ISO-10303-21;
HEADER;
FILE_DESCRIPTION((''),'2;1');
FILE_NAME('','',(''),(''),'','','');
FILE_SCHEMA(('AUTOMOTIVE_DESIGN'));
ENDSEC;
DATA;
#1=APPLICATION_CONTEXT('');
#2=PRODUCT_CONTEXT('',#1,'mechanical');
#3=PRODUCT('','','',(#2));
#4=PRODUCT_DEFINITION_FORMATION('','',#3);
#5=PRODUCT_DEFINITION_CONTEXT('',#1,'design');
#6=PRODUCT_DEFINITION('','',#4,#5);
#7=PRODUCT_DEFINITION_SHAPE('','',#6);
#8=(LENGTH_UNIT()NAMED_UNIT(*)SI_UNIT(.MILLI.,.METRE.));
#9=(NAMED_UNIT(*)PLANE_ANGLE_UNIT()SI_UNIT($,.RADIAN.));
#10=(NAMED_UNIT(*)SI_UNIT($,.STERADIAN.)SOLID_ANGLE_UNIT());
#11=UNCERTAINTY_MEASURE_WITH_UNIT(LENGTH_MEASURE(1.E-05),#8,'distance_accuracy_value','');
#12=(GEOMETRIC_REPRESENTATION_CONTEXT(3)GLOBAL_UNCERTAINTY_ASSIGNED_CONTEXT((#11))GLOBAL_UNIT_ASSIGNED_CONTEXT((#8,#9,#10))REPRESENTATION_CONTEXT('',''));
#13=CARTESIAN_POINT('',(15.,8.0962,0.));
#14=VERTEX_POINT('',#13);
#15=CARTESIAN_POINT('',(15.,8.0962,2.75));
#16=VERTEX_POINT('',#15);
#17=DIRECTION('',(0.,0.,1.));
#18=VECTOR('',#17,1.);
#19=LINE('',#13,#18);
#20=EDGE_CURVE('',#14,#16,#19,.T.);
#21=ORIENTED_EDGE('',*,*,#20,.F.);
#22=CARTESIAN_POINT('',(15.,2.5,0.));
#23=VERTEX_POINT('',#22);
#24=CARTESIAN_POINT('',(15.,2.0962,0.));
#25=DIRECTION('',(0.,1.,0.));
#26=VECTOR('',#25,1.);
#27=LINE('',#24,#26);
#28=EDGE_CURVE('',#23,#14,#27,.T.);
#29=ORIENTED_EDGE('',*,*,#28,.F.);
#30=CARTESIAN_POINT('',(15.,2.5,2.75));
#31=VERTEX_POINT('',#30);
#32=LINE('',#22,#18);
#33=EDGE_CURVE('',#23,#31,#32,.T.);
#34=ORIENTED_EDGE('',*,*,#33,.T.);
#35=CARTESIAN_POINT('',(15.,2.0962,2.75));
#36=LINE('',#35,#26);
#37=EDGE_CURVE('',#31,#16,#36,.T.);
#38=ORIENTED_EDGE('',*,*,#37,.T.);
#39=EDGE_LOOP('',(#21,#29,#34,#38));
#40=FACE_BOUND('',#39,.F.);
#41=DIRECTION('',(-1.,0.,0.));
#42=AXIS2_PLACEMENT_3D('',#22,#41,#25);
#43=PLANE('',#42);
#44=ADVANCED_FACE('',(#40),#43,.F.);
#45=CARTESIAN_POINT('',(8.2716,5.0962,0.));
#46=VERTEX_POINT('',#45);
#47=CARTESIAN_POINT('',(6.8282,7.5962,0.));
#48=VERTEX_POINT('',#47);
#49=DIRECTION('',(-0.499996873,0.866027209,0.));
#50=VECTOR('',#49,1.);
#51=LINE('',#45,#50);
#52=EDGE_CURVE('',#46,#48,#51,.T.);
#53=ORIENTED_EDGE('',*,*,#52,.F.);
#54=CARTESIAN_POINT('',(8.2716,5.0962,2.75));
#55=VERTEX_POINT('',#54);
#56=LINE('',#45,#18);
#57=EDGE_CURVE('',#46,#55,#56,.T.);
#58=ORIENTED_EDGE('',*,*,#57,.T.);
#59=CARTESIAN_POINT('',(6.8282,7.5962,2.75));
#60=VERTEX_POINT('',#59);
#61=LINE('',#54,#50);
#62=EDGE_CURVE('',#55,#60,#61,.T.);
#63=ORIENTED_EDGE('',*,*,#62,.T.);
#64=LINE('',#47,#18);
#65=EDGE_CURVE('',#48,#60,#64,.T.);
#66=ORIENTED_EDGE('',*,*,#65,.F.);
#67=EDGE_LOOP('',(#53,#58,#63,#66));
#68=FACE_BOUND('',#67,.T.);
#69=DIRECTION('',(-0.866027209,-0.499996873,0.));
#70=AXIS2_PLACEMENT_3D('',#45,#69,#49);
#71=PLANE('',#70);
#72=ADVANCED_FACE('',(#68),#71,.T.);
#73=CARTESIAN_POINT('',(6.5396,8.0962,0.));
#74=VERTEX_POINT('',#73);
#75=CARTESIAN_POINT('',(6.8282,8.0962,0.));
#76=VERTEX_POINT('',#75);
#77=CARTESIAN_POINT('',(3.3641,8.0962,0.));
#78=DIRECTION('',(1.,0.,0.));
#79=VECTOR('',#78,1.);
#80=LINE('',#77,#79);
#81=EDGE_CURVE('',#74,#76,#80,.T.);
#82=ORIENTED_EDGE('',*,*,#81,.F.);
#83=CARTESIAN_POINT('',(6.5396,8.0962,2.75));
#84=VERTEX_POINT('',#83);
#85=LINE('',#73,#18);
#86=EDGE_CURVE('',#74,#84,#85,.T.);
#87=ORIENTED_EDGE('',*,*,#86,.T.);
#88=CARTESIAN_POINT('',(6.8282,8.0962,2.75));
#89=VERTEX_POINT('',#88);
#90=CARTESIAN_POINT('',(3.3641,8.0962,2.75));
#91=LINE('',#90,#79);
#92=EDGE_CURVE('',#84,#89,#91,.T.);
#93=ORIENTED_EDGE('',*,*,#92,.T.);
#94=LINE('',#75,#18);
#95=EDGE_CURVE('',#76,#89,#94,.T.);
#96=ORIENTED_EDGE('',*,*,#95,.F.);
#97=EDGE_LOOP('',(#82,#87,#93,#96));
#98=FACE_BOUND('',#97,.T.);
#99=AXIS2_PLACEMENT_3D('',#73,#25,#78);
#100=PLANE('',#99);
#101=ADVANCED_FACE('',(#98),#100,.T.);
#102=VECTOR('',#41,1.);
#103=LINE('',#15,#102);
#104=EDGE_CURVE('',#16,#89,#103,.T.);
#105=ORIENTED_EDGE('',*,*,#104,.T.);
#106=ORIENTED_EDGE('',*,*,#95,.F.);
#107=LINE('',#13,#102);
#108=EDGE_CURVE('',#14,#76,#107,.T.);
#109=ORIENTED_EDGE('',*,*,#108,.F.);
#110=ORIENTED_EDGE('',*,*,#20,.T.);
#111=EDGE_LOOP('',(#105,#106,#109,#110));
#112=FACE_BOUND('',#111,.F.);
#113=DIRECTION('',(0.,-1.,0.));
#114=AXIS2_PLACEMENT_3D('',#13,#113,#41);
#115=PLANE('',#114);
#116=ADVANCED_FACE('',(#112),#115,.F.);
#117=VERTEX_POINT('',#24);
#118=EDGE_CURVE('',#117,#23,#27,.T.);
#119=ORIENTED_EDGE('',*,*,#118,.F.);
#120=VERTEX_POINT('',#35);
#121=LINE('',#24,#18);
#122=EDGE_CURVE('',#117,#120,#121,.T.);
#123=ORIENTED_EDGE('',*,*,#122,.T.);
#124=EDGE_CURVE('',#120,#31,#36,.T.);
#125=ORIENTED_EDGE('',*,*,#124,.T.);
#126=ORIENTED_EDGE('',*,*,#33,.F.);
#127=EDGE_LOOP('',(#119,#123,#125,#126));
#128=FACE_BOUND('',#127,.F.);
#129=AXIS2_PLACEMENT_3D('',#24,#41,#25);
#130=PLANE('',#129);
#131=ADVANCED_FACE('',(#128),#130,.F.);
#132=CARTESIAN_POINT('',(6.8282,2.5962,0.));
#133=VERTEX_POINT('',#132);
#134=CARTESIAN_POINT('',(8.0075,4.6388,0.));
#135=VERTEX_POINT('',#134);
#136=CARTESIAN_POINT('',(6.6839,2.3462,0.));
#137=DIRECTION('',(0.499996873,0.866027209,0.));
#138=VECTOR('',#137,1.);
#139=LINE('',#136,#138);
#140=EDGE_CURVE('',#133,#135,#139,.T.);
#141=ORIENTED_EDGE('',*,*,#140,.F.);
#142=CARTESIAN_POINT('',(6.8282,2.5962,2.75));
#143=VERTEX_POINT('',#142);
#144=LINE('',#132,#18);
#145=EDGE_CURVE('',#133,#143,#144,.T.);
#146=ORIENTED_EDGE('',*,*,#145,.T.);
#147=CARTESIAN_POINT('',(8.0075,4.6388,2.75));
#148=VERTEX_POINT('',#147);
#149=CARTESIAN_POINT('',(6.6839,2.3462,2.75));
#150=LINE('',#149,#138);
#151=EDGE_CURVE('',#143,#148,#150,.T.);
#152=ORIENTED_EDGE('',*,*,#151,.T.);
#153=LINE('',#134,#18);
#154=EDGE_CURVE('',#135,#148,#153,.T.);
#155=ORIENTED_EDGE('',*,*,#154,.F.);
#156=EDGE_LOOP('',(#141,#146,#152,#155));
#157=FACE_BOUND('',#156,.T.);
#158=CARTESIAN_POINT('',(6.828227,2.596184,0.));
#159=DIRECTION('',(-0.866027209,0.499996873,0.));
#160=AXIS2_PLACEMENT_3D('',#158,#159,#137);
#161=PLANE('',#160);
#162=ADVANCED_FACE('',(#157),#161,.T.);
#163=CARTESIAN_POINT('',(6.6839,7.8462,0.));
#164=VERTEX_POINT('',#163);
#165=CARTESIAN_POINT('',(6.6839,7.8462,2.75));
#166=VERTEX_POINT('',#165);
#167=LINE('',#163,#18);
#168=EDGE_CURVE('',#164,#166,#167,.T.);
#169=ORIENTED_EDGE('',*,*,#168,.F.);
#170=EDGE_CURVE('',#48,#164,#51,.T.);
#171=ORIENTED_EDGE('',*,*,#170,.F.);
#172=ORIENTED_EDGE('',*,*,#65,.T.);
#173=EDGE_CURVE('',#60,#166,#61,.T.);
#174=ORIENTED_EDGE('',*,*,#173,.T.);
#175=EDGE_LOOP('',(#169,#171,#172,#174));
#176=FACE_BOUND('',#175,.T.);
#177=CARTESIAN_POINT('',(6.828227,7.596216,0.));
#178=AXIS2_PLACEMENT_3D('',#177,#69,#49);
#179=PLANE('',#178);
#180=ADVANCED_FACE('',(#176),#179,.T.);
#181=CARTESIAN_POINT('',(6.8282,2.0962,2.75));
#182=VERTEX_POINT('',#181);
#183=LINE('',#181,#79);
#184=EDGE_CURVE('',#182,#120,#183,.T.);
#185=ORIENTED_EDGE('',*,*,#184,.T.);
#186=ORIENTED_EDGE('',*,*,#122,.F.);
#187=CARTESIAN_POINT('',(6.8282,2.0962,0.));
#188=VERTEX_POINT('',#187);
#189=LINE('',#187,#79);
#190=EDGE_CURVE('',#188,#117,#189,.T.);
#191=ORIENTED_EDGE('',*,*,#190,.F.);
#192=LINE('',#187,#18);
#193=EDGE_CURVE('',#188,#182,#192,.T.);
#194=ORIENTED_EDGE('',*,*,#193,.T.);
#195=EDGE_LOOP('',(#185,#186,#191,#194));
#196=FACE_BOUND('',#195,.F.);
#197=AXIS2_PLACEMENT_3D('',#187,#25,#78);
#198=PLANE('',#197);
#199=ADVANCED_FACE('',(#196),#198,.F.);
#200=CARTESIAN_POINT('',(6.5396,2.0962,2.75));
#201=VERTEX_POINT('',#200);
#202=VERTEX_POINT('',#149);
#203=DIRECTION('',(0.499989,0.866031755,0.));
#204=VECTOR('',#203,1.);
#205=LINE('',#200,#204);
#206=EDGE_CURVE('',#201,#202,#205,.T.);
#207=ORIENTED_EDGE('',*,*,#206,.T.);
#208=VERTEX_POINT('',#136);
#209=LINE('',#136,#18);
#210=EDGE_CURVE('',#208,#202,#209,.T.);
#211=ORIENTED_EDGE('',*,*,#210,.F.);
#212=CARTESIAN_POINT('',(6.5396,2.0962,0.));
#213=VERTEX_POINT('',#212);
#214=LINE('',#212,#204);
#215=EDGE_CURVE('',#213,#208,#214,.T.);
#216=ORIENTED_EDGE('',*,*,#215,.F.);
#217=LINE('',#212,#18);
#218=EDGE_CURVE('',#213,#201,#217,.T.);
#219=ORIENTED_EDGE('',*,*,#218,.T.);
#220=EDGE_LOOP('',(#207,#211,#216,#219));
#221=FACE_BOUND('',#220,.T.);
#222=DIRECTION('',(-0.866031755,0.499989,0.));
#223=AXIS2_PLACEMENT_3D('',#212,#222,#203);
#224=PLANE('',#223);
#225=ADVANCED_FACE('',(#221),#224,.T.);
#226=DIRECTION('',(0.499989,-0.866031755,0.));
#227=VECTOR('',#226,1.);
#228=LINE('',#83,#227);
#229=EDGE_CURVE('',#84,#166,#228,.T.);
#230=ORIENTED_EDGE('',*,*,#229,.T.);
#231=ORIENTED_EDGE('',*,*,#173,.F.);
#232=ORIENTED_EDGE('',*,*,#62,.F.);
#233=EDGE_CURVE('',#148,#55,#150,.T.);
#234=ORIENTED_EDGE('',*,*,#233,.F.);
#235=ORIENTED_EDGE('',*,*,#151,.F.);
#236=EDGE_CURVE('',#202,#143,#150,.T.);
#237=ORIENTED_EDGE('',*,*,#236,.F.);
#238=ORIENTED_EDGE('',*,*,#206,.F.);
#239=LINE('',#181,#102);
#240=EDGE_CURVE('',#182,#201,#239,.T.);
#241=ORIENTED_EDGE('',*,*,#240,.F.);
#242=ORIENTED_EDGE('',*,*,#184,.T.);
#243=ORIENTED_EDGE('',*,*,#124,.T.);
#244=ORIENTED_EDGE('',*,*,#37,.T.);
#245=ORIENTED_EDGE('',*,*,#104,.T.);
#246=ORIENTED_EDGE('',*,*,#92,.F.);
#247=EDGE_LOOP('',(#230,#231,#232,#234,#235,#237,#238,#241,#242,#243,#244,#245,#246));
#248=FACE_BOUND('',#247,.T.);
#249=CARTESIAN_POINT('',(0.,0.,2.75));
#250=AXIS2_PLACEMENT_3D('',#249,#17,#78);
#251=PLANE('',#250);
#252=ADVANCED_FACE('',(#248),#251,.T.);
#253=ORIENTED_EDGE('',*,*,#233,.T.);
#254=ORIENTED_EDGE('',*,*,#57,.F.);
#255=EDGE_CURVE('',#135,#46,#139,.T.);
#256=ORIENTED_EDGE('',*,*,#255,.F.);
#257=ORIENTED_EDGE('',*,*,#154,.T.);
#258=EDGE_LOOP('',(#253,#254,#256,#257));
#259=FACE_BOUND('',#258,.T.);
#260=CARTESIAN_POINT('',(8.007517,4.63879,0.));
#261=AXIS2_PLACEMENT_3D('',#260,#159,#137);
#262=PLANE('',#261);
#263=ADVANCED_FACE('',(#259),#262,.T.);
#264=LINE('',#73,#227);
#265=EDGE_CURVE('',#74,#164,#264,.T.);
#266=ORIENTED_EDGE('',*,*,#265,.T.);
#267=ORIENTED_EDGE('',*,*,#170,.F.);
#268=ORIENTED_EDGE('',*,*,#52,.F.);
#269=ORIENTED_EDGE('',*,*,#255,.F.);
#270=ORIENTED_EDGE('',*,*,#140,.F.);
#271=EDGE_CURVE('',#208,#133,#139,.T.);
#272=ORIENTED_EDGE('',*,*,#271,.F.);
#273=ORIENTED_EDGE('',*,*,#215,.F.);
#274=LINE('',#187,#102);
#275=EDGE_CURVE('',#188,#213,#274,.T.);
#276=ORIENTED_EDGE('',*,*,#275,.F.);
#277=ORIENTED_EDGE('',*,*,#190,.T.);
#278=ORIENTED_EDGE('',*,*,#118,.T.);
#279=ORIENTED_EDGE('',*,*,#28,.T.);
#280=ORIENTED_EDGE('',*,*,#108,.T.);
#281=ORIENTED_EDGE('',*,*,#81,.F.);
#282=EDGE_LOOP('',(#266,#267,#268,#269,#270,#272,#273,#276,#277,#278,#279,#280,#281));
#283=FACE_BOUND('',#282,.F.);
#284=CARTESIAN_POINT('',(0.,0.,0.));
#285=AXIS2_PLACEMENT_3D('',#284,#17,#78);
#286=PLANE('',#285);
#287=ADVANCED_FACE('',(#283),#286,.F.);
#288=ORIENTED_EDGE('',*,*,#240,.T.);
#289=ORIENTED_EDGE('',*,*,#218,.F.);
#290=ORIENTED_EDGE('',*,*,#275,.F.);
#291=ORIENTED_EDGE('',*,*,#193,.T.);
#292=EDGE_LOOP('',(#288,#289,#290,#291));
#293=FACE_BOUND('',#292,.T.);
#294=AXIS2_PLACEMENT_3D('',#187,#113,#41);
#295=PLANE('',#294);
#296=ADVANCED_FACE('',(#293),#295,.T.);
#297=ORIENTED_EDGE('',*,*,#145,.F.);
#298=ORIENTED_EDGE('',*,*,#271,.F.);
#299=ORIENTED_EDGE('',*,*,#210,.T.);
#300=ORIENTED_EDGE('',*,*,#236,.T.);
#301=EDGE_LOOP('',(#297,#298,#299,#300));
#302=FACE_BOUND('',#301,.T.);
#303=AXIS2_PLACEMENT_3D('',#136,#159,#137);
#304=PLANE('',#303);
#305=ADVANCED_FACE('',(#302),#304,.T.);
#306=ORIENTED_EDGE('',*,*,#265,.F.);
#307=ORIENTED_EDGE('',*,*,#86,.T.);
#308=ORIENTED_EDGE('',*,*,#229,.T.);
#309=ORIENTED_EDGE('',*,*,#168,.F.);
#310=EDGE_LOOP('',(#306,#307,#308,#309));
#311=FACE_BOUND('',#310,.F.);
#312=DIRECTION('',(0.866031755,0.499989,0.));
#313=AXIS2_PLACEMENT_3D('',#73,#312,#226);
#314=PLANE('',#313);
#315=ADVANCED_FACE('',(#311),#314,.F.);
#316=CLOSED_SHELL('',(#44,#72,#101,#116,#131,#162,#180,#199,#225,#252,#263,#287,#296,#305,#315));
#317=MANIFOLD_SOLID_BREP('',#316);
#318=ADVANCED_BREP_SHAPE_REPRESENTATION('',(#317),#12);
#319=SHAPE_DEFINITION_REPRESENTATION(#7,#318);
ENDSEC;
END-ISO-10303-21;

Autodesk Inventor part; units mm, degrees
ref_plane "YZ Plane" through (0, 0, 0) normal (1, 0, 0) x (0, 1, 0)
ref_plane "XZ Plane" through (0, 0, 0) normal (0, 1, 0) x (-1, 0, 0)
ref_plane "XY Plane" through (0, 0, 0) normal (0, 0, 1) x (1, 0, 0)
sketch "Boceto1" plane through (0, 0, 0) normal (0, 0, 1) x (1, 0, 0)
  line L0 (15, 15) -> (15, 35)
  arc A0 (15, 2.5) -> (8.0075, 4.6388) centre (15, 15) ccw
  line L1 (15, -5) -> (18.5355, -1.4645) construction
  circle A1 centre (24.9038, 5.0962) radius 1.5
  line L2 (15, 15) -> (21.2936, 15)
  line L3 (30, 30) -> (0, 30)
  line L4 (0, 30) -> (0, 0)
  line L5 (0, 0) -> (30, 0)
  line L6 (30, 0) -> (30, 30)
  line L7 (30, 30) -> (0, 0) construction
  line L8 (23.3161, 2.3462) -> (21.7284, 5.0962)
  line L9 (21.7284, 5.0962) -> (23.3161, 7.8462)
  line L10 (23.3161, 7.8462) -> (26.4915, 7.8462)
  line L11 (26.4915, 7.8462) -> (28.0792, 5.0962)
  line L12 (28.0792, 5.0962) -> (26.4915, 2.3462)
  line L13 (26.4915, 2.3462) -> (23.3161, 2.3462)
  line L14 (28.0792, 24.9038) -> (26.4915, 27.6538)
  line L15 (23.3161, 22.1538) -> (26.4915, 22.1538)
  line L16 (21.7284, 24.9038) -> (23.3161, 22.1538)
  line L17 (26.4915, 22.1538) -> (28.0792, 24.9038)
  circle A2 centre (24.9038, 24.9038) radius 1.5
  line L18 (23.3161, 27.6538) -> (21.7284, 24.9038)
  line L19 (26.4915, 27.6538) -> (23.3161, 27.6538)
  line L20 (6.6839, 7.8462) -> (3.5085, 7.8462)
  line L21 (1.9208, 5.0962) -> (3.5085, 2.3462)
  line L22 (6.6839, 2.3462) -> (8.2716, 5.0962)
  circle A3 centre (5.0962, 5.0962) radius 1.5
  line L23 (8.2716, 5.0962) -> (6.6839, 7.8462)
  line L24 (8.2716, 24.9038) -> (6.6839, 22.1538)
  line L25 (6.6839, 22.1538) -> (3.5085, 22.1538)
  line L26 (3.5085, 22.1538) -> (1.9208, 24.9038)
  line L27 (1.9208, 24.9038) -> (3.5085, 27.6538)
  line L28 (6.6839, 27.6538) -> (8.2716, 24.9038)
  line L29 (3.5085, 27.6538) -> (6.6839, 27.6538)
  line L30 (3.5085, 7.8462) -> (1.9208, 5.0962)
  circle A4 centre (5.0962, 24.9038) radius 1.5
  line L31 (3.5085, 2.3462) -> (6.6839, 2.3462)
  line L32 (6.8282, 27.9038) -> (8.5603, 24.9038)
  line L33 (8.5603, 24.9038) -> (6.8282, 21.9038)
  line L34 (6.8282, 21.9038) -> (3.3641, 21.9038)
  line L35 (3.3641, 21.9038) -> (1.6321, 24.9038)
  line L36 (1.6321, 24.9038) -> (3.3641, 27.9038)
  line L37 (3.3641, 27.9038) -> (6.8282, 27.9038)
  line L38 (3.3641, 8.0962) -> (6.8282, 8.0962)
  line L39 (8.416, 4.8462) -> (8.2165, 4.5007)
  line L40 (6.8282, 2.0962) -> (3.3641, 2.0962)
  line L41 (3.3641, 2.0962) -> (1.6321, 5.0962)
  line L42 (1.6321, 5.0962) -> (3.3641, 8.0962)
  line L43 (15, 22.8053) -> (15, 21.1553)
  line L44 (6.8282, 27.9038) -> (15, 27.9038)
  line L45 (15, 27.9038) -> (15, 21.9038)
  line L46 (15, 21.9038) -> (6.8282, 21.9038)
  line L47 (6.8282, 21.9038) -> (6.8282, 27.9038)
  line L48 (6.8282, 2.0962) -> (15, 2.0962)
  line L49 (15, 2.0962) -> (15, 8.0962)
  line L50 (15, 8.0962) -> (6.8282, 8.0962)
  line L51 (6.8282, 7.5962) -> (6.8282, 2.5962)
  line L52 (8.416, 5.3462) -> (8.5603, 5.0962)
  line L53 (6.5396, 2.0962) -> (8.2716, 5.0962)
  line L54 (8.416, 5.3462) -> (8.7064, 5.8492)
  line L55 (6.5396, 8.0962) -> (8.2716, 5.0962)
  line L56 (8.416, 4.8462) -> (8.5603, 4.5962)
  point P0 (0, 0)
  point P1 (30, 5)
  point P2 (15, 15)
  point P3 (24.9038, 24.9038)
  point P4 (8.7064, 15)
  point P5 (15, 22.3631)
  point P6 (6.8282, 8.0962)
  point P7 (6.8282, 21.9038)
  point P8 (15, 21.9038)
  point P9 (15, 27.9038)
  point P10 (8.2716, 5.0962)
  dimension "d0" = 25
  dimension "d1" = 3
  dimension "d2" = 30
  dimension "d3" = 30
  dimension "d4" = 0.25
  dimension "d5" = 0.25
extrude "Extrusión1" add sketch "Boceto1" along normal blind 2.75 contours L38 L50 L49 L48 L40 L53 L22 L23 L55
properties part number "_3DPrint"
